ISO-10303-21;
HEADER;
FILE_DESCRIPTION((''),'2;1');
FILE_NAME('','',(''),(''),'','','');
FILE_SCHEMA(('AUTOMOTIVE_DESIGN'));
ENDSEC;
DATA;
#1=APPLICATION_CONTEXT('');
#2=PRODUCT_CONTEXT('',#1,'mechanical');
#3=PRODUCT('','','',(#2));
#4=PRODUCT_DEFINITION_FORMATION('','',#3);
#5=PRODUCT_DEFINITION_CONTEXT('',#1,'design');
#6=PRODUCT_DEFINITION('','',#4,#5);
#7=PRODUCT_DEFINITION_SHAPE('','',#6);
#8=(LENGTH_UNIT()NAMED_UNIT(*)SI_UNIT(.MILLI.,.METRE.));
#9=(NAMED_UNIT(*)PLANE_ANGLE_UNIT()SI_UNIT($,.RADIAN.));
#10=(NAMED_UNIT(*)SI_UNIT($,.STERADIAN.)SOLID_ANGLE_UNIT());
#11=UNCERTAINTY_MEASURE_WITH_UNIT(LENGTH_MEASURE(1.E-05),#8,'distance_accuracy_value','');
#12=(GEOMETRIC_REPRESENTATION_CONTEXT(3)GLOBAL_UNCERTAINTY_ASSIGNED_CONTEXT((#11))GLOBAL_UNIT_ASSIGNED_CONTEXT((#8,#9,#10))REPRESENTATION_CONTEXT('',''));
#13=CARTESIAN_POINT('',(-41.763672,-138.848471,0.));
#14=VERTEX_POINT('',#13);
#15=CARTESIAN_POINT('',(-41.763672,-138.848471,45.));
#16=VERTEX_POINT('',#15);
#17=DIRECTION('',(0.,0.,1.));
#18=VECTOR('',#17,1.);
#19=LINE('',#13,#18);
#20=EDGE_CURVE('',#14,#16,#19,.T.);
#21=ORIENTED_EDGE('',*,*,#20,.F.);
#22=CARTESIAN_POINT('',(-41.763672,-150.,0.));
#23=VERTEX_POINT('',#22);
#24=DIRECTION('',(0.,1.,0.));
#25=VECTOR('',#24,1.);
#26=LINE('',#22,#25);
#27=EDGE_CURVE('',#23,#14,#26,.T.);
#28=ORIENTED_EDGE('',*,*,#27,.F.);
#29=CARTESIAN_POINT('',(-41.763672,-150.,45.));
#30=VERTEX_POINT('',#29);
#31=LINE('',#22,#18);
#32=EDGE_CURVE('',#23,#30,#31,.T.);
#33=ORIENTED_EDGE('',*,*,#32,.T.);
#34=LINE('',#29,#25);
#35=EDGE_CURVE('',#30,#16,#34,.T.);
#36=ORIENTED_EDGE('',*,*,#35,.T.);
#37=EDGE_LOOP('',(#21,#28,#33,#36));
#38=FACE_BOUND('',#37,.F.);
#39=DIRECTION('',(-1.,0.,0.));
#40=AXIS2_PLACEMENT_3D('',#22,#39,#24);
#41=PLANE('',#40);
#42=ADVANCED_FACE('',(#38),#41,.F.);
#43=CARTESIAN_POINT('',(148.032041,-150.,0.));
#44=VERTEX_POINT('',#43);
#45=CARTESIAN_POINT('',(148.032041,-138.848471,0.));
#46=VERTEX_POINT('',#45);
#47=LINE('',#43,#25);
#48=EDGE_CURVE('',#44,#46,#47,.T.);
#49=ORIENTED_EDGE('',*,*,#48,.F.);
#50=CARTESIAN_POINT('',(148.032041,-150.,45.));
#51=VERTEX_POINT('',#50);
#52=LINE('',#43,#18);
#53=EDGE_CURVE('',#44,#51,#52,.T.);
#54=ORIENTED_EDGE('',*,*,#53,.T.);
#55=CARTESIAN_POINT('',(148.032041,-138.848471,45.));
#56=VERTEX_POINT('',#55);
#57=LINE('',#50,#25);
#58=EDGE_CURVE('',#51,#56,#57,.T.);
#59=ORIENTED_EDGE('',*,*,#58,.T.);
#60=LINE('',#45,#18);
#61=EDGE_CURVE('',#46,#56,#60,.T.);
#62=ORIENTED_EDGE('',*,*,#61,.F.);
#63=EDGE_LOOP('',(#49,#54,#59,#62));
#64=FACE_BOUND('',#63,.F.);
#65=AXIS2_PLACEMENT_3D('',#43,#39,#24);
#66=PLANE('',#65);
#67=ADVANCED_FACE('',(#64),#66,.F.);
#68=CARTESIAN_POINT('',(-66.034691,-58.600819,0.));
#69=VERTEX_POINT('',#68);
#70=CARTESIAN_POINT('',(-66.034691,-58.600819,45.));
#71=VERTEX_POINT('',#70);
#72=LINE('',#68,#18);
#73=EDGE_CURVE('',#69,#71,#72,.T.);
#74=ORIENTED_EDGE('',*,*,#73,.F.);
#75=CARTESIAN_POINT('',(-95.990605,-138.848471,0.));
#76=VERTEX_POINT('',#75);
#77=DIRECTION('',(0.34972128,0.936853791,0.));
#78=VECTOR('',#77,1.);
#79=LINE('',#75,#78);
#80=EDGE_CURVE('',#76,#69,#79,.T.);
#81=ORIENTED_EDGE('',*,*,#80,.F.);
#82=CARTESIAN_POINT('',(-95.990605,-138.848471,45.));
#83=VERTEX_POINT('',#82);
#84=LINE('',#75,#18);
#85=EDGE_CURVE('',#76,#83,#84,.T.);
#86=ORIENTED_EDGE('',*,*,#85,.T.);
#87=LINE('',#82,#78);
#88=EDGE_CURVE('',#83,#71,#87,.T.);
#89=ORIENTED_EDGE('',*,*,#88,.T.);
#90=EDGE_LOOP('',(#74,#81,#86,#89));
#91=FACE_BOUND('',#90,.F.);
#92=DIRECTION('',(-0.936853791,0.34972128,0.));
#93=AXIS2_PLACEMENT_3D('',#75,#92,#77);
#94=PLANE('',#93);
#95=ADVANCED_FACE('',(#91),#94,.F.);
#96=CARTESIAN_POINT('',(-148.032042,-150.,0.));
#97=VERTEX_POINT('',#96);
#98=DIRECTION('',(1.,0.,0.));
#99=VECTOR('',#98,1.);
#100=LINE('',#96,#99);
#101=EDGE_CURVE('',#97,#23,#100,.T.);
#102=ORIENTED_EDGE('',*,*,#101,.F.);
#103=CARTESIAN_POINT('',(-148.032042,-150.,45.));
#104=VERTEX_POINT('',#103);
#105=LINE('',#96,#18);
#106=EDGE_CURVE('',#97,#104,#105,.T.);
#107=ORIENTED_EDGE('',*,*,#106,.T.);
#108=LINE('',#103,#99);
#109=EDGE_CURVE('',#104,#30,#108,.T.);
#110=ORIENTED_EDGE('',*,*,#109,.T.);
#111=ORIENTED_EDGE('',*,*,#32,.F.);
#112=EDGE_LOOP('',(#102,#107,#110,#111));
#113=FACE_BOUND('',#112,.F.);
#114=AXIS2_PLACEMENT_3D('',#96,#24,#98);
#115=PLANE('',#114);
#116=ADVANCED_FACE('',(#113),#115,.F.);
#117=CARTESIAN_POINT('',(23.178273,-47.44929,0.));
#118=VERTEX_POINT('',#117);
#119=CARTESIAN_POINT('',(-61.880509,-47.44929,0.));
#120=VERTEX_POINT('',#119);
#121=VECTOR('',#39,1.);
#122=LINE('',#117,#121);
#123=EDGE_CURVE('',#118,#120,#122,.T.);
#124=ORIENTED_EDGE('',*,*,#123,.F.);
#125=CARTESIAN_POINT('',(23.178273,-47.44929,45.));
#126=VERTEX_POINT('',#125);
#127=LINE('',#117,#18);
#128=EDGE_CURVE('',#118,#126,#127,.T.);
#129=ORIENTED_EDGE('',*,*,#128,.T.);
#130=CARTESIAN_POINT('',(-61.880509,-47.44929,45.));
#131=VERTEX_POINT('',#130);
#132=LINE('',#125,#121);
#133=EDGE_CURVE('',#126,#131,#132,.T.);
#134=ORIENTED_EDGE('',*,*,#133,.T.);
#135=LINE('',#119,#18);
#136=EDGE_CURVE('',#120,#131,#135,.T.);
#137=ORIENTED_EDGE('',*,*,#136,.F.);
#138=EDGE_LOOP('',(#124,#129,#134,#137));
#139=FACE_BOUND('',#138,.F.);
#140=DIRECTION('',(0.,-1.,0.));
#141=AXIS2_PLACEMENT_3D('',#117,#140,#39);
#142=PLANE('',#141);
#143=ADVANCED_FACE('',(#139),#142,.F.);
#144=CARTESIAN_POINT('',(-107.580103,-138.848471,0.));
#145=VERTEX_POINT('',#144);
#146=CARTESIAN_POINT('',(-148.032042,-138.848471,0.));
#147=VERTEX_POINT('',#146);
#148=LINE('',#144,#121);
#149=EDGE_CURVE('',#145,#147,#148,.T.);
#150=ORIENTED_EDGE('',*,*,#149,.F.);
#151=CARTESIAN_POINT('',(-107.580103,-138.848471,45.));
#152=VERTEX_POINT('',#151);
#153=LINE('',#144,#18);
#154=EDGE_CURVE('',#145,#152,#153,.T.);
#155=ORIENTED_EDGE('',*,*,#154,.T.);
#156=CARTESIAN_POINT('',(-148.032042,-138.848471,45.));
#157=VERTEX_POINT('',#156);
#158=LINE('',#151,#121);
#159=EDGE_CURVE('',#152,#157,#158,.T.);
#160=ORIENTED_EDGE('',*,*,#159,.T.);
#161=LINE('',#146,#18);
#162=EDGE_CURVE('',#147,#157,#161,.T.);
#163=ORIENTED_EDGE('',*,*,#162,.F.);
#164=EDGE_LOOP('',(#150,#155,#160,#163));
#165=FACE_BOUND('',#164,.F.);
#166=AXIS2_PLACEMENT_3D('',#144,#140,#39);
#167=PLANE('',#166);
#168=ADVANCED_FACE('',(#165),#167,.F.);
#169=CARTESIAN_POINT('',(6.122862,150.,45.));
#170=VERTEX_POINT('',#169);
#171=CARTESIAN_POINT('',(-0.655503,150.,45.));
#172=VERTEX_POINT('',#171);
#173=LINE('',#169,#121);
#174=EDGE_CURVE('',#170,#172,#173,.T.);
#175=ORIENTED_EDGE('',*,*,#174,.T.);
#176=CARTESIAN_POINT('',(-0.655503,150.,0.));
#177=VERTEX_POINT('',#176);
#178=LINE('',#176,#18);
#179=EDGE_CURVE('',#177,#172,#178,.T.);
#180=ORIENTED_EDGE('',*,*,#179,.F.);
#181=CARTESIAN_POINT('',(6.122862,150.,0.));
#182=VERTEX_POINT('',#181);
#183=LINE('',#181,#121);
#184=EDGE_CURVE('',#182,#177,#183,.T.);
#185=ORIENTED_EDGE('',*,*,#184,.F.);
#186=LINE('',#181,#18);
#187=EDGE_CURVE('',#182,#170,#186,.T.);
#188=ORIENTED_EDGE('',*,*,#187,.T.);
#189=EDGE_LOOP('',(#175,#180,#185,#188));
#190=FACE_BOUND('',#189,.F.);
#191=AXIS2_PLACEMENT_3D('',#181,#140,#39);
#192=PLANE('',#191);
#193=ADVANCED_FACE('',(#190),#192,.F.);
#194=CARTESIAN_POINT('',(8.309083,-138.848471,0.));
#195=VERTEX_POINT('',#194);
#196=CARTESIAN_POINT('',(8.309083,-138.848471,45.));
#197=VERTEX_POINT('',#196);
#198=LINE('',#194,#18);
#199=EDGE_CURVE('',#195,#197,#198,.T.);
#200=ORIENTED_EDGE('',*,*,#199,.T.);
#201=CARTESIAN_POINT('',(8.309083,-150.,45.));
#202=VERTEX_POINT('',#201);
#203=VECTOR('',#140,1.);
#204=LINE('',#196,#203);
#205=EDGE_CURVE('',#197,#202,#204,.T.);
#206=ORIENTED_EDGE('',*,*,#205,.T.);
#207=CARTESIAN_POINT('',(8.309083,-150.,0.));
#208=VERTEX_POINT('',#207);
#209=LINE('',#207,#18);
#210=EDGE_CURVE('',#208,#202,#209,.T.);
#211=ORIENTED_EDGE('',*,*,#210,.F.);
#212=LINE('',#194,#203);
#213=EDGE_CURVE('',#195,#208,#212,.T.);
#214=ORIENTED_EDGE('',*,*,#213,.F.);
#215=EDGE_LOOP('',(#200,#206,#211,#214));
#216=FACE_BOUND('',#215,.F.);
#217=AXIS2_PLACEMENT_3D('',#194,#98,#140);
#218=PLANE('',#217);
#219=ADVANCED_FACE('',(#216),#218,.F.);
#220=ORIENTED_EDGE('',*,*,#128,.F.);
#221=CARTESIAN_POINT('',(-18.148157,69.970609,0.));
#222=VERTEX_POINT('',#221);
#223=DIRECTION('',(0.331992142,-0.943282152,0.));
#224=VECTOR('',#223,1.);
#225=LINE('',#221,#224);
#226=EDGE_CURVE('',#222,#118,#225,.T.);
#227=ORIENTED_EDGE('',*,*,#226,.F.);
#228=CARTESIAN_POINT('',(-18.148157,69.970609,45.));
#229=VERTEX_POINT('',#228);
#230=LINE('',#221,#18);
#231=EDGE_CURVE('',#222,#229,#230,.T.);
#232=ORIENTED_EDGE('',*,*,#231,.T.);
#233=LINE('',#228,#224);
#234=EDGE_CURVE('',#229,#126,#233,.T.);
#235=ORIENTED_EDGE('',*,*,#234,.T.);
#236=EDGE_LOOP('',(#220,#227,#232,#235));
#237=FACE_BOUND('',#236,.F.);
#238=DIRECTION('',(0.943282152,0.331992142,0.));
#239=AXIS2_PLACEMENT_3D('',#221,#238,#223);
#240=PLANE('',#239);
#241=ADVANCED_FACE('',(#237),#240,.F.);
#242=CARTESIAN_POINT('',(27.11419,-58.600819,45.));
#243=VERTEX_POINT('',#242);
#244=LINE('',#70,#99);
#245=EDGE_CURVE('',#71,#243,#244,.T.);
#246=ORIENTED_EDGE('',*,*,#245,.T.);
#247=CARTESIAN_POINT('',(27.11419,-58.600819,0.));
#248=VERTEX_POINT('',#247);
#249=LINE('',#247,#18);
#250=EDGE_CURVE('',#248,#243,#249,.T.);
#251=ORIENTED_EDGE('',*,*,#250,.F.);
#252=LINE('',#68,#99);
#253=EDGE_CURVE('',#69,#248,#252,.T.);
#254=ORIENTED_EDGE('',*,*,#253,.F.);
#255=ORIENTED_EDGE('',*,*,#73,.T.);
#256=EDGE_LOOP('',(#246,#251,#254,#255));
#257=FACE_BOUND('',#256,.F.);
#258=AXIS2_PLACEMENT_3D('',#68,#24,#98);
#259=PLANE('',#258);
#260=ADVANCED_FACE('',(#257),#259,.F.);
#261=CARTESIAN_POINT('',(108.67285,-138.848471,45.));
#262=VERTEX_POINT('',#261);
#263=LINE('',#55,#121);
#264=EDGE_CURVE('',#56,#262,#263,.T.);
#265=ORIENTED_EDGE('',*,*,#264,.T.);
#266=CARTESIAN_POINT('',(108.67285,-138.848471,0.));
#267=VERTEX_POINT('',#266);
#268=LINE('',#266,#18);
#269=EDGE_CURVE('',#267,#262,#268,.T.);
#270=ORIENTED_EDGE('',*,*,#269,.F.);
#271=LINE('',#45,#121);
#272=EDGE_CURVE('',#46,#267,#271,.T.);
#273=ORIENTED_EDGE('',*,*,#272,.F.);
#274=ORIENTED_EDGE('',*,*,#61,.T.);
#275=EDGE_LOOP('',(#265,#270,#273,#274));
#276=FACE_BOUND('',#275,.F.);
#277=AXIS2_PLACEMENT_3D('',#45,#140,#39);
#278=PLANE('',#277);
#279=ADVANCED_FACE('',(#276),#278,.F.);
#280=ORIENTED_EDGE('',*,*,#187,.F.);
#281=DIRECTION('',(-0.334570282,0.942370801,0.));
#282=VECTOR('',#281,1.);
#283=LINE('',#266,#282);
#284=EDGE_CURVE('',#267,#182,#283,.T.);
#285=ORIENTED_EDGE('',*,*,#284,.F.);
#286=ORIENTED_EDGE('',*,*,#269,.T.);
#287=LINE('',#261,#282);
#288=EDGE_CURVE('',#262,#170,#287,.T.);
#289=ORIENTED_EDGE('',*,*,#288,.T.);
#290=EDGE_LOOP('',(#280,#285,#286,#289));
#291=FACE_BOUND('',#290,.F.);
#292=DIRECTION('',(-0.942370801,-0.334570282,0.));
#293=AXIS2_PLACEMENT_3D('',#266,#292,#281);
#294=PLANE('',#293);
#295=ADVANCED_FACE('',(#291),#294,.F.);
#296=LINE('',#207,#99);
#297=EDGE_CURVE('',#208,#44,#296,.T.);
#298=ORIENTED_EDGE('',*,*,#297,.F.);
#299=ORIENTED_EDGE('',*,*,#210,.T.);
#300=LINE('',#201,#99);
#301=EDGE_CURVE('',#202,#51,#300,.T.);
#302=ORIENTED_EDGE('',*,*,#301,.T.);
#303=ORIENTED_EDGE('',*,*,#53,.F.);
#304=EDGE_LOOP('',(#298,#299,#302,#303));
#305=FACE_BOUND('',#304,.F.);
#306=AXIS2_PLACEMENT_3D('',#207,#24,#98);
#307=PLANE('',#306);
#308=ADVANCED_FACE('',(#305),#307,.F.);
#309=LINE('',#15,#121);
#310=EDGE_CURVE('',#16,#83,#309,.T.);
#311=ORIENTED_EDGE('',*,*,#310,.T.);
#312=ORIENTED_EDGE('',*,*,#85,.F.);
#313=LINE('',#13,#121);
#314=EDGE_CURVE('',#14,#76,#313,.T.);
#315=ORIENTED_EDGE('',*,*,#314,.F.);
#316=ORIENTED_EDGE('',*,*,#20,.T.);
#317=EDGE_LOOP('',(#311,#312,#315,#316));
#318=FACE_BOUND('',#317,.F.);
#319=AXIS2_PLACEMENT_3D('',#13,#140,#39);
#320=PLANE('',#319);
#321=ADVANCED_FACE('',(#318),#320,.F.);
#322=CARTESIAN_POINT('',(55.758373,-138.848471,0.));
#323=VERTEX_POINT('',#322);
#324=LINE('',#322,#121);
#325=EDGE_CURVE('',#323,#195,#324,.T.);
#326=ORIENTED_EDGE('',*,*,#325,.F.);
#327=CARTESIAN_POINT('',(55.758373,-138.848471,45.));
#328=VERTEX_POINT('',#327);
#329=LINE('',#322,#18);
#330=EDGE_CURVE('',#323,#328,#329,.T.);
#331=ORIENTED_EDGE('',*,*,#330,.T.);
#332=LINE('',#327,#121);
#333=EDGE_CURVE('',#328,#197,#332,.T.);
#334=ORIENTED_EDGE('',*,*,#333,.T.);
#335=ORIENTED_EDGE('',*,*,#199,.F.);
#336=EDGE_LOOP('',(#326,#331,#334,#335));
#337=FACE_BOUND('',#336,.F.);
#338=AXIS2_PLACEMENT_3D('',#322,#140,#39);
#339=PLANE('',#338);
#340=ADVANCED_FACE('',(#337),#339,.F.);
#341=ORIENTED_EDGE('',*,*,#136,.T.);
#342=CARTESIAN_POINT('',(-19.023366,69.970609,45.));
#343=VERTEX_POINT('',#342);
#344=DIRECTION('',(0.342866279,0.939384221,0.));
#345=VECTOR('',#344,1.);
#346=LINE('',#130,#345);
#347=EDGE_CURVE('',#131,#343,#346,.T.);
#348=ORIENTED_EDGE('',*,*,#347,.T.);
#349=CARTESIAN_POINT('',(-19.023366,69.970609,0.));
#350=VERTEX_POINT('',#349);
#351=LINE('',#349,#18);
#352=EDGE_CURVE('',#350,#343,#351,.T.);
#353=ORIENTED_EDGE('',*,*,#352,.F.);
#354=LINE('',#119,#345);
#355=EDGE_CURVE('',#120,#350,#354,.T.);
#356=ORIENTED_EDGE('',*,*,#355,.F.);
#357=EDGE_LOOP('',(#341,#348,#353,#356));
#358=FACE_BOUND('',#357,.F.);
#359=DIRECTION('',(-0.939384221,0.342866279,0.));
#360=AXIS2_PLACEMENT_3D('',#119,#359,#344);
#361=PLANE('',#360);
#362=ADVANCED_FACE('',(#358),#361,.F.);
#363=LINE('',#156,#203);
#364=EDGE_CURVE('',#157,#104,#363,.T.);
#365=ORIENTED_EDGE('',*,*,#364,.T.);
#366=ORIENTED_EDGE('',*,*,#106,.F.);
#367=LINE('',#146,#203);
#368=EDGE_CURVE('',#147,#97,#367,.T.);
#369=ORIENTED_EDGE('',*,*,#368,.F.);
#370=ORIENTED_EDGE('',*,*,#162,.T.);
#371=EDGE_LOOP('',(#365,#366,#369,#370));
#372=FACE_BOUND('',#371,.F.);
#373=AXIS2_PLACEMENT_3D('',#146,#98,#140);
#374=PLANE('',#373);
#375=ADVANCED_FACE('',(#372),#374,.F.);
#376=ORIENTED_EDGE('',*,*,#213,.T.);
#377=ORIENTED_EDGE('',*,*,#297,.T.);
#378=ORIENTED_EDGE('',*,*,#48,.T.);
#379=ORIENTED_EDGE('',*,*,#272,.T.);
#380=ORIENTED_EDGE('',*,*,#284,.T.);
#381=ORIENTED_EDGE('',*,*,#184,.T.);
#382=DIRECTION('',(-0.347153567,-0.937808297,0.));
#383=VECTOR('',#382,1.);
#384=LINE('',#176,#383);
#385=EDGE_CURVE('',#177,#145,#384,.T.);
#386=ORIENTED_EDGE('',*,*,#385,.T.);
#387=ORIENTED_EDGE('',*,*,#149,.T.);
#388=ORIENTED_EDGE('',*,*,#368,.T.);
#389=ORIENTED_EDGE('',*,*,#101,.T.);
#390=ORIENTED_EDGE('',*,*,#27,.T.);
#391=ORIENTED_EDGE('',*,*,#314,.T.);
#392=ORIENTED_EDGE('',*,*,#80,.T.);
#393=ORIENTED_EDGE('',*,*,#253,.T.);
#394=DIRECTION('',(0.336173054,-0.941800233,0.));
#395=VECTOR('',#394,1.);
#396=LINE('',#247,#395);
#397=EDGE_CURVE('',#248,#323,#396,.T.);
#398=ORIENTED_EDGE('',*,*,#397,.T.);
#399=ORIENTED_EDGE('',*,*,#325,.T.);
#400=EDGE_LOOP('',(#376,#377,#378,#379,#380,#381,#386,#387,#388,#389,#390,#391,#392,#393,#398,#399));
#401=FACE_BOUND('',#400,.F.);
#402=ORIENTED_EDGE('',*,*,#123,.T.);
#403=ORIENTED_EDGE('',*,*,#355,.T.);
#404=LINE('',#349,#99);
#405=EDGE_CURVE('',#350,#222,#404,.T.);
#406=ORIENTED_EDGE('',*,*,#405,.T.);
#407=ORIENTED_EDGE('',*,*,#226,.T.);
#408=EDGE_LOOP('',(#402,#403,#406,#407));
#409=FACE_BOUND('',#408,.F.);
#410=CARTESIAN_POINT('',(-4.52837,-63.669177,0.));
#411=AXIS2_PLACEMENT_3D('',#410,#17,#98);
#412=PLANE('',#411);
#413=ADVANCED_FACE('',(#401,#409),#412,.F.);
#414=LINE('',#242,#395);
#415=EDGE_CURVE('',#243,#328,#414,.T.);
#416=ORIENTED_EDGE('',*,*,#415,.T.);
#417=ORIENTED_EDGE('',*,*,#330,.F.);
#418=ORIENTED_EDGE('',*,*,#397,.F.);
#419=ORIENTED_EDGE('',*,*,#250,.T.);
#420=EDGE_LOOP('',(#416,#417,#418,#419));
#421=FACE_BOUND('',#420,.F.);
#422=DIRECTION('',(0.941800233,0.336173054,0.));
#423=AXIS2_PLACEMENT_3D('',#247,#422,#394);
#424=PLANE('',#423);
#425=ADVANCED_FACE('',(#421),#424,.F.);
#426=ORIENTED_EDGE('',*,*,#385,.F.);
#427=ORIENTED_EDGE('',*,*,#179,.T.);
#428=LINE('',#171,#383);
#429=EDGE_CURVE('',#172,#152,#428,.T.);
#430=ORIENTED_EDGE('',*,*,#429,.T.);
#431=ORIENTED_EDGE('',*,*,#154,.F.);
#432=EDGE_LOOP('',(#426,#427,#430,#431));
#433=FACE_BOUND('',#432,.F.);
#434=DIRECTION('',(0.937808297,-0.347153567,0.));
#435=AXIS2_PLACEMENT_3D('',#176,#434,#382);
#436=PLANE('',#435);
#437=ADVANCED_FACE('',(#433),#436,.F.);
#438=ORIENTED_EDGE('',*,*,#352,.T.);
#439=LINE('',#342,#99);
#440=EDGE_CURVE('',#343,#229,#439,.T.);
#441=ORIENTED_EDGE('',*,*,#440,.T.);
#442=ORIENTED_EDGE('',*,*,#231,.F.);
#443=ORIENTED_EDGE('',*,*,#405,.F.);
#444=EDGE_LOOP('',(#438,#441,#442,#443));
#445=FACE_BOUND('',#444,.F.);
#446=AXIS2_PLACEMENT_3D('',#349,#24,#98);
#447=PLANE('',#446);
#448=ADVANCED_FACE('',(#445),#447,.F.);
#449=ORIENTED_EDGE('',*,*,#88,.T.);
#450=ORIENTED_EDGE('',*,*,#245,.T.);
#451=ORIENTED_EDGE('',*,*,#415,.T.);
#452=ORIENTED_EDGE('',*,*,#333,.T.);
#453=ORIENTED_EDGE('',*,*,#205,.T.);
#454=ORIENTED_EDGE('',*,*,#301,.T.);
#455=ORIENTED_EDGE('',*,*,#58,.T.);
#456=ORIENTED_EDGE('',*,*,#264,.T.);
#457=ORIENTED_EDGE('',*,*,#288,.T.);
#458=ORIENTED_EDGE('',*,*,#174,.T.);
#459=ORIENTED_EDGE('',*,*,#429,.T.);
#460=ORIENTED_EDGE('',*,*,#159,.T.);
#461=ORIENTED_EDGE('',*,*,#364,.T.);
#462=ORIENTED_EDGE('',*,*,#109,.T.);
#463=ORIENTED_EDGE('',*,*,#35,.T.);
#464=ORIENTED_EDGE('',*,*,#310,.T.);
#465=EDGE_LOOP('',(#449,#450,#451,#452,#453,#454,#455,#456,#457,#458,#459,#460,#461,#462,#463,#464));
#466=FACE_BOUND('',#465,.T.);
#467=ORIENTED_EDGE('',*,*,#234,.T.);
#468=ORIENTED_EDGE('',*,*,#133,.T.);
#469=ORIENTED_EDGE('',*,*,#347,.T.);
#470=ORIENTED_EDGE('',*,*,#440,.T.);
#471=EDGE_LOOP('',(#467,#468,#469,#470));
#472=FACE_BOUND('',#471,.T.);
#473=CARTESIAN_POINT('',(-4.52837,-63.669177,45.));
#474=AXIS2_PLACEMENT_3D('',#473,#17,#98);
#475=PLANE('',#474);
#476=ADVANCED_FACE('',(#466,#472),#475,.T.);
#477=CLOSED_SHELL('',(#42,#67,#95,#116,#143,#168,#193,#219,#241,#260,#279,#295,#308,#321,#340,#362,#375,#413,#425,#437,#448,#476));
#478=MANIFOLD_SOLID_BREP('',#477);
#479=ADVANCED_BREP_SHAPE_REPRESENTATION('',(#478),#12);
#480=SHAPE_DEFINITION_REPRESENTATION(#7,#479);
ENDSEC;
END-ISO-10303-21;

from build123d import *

# Parameters (mm, degrees)
F1_DEPTH = 45


with BuildPart() as f1:
    # F0 (on Top) → F1 (new body)
    with BuildSketch(Plane.XY):
        Polygon((-66.034691, -58.600819), (27.11419, -58.600819), (55.758373, -138.848471), (8.309083, -138.848471), (8.309083, -150), (148.032041, -150), (148.032041, -138.848471), (108.67285, -138.848471), (6.122862, 150), (-0.655503, 150), (-107.580103, -138.848471), (-148.032042, -138.848471), (-148.032042, -150), (-41.763672, -150), (-41.763672, -138.848471), (-95.990605, -138.848471), align=None)
        Polygon((23.178273, -47.44929), (-61.880509, -47.44929), (-19.023366, 69.970609), (-18.148157, 69.970609), align=None, mode=Mode.SUBTRACT)
    extrude(amount=F1_DEPTH)


solid = f1.part
